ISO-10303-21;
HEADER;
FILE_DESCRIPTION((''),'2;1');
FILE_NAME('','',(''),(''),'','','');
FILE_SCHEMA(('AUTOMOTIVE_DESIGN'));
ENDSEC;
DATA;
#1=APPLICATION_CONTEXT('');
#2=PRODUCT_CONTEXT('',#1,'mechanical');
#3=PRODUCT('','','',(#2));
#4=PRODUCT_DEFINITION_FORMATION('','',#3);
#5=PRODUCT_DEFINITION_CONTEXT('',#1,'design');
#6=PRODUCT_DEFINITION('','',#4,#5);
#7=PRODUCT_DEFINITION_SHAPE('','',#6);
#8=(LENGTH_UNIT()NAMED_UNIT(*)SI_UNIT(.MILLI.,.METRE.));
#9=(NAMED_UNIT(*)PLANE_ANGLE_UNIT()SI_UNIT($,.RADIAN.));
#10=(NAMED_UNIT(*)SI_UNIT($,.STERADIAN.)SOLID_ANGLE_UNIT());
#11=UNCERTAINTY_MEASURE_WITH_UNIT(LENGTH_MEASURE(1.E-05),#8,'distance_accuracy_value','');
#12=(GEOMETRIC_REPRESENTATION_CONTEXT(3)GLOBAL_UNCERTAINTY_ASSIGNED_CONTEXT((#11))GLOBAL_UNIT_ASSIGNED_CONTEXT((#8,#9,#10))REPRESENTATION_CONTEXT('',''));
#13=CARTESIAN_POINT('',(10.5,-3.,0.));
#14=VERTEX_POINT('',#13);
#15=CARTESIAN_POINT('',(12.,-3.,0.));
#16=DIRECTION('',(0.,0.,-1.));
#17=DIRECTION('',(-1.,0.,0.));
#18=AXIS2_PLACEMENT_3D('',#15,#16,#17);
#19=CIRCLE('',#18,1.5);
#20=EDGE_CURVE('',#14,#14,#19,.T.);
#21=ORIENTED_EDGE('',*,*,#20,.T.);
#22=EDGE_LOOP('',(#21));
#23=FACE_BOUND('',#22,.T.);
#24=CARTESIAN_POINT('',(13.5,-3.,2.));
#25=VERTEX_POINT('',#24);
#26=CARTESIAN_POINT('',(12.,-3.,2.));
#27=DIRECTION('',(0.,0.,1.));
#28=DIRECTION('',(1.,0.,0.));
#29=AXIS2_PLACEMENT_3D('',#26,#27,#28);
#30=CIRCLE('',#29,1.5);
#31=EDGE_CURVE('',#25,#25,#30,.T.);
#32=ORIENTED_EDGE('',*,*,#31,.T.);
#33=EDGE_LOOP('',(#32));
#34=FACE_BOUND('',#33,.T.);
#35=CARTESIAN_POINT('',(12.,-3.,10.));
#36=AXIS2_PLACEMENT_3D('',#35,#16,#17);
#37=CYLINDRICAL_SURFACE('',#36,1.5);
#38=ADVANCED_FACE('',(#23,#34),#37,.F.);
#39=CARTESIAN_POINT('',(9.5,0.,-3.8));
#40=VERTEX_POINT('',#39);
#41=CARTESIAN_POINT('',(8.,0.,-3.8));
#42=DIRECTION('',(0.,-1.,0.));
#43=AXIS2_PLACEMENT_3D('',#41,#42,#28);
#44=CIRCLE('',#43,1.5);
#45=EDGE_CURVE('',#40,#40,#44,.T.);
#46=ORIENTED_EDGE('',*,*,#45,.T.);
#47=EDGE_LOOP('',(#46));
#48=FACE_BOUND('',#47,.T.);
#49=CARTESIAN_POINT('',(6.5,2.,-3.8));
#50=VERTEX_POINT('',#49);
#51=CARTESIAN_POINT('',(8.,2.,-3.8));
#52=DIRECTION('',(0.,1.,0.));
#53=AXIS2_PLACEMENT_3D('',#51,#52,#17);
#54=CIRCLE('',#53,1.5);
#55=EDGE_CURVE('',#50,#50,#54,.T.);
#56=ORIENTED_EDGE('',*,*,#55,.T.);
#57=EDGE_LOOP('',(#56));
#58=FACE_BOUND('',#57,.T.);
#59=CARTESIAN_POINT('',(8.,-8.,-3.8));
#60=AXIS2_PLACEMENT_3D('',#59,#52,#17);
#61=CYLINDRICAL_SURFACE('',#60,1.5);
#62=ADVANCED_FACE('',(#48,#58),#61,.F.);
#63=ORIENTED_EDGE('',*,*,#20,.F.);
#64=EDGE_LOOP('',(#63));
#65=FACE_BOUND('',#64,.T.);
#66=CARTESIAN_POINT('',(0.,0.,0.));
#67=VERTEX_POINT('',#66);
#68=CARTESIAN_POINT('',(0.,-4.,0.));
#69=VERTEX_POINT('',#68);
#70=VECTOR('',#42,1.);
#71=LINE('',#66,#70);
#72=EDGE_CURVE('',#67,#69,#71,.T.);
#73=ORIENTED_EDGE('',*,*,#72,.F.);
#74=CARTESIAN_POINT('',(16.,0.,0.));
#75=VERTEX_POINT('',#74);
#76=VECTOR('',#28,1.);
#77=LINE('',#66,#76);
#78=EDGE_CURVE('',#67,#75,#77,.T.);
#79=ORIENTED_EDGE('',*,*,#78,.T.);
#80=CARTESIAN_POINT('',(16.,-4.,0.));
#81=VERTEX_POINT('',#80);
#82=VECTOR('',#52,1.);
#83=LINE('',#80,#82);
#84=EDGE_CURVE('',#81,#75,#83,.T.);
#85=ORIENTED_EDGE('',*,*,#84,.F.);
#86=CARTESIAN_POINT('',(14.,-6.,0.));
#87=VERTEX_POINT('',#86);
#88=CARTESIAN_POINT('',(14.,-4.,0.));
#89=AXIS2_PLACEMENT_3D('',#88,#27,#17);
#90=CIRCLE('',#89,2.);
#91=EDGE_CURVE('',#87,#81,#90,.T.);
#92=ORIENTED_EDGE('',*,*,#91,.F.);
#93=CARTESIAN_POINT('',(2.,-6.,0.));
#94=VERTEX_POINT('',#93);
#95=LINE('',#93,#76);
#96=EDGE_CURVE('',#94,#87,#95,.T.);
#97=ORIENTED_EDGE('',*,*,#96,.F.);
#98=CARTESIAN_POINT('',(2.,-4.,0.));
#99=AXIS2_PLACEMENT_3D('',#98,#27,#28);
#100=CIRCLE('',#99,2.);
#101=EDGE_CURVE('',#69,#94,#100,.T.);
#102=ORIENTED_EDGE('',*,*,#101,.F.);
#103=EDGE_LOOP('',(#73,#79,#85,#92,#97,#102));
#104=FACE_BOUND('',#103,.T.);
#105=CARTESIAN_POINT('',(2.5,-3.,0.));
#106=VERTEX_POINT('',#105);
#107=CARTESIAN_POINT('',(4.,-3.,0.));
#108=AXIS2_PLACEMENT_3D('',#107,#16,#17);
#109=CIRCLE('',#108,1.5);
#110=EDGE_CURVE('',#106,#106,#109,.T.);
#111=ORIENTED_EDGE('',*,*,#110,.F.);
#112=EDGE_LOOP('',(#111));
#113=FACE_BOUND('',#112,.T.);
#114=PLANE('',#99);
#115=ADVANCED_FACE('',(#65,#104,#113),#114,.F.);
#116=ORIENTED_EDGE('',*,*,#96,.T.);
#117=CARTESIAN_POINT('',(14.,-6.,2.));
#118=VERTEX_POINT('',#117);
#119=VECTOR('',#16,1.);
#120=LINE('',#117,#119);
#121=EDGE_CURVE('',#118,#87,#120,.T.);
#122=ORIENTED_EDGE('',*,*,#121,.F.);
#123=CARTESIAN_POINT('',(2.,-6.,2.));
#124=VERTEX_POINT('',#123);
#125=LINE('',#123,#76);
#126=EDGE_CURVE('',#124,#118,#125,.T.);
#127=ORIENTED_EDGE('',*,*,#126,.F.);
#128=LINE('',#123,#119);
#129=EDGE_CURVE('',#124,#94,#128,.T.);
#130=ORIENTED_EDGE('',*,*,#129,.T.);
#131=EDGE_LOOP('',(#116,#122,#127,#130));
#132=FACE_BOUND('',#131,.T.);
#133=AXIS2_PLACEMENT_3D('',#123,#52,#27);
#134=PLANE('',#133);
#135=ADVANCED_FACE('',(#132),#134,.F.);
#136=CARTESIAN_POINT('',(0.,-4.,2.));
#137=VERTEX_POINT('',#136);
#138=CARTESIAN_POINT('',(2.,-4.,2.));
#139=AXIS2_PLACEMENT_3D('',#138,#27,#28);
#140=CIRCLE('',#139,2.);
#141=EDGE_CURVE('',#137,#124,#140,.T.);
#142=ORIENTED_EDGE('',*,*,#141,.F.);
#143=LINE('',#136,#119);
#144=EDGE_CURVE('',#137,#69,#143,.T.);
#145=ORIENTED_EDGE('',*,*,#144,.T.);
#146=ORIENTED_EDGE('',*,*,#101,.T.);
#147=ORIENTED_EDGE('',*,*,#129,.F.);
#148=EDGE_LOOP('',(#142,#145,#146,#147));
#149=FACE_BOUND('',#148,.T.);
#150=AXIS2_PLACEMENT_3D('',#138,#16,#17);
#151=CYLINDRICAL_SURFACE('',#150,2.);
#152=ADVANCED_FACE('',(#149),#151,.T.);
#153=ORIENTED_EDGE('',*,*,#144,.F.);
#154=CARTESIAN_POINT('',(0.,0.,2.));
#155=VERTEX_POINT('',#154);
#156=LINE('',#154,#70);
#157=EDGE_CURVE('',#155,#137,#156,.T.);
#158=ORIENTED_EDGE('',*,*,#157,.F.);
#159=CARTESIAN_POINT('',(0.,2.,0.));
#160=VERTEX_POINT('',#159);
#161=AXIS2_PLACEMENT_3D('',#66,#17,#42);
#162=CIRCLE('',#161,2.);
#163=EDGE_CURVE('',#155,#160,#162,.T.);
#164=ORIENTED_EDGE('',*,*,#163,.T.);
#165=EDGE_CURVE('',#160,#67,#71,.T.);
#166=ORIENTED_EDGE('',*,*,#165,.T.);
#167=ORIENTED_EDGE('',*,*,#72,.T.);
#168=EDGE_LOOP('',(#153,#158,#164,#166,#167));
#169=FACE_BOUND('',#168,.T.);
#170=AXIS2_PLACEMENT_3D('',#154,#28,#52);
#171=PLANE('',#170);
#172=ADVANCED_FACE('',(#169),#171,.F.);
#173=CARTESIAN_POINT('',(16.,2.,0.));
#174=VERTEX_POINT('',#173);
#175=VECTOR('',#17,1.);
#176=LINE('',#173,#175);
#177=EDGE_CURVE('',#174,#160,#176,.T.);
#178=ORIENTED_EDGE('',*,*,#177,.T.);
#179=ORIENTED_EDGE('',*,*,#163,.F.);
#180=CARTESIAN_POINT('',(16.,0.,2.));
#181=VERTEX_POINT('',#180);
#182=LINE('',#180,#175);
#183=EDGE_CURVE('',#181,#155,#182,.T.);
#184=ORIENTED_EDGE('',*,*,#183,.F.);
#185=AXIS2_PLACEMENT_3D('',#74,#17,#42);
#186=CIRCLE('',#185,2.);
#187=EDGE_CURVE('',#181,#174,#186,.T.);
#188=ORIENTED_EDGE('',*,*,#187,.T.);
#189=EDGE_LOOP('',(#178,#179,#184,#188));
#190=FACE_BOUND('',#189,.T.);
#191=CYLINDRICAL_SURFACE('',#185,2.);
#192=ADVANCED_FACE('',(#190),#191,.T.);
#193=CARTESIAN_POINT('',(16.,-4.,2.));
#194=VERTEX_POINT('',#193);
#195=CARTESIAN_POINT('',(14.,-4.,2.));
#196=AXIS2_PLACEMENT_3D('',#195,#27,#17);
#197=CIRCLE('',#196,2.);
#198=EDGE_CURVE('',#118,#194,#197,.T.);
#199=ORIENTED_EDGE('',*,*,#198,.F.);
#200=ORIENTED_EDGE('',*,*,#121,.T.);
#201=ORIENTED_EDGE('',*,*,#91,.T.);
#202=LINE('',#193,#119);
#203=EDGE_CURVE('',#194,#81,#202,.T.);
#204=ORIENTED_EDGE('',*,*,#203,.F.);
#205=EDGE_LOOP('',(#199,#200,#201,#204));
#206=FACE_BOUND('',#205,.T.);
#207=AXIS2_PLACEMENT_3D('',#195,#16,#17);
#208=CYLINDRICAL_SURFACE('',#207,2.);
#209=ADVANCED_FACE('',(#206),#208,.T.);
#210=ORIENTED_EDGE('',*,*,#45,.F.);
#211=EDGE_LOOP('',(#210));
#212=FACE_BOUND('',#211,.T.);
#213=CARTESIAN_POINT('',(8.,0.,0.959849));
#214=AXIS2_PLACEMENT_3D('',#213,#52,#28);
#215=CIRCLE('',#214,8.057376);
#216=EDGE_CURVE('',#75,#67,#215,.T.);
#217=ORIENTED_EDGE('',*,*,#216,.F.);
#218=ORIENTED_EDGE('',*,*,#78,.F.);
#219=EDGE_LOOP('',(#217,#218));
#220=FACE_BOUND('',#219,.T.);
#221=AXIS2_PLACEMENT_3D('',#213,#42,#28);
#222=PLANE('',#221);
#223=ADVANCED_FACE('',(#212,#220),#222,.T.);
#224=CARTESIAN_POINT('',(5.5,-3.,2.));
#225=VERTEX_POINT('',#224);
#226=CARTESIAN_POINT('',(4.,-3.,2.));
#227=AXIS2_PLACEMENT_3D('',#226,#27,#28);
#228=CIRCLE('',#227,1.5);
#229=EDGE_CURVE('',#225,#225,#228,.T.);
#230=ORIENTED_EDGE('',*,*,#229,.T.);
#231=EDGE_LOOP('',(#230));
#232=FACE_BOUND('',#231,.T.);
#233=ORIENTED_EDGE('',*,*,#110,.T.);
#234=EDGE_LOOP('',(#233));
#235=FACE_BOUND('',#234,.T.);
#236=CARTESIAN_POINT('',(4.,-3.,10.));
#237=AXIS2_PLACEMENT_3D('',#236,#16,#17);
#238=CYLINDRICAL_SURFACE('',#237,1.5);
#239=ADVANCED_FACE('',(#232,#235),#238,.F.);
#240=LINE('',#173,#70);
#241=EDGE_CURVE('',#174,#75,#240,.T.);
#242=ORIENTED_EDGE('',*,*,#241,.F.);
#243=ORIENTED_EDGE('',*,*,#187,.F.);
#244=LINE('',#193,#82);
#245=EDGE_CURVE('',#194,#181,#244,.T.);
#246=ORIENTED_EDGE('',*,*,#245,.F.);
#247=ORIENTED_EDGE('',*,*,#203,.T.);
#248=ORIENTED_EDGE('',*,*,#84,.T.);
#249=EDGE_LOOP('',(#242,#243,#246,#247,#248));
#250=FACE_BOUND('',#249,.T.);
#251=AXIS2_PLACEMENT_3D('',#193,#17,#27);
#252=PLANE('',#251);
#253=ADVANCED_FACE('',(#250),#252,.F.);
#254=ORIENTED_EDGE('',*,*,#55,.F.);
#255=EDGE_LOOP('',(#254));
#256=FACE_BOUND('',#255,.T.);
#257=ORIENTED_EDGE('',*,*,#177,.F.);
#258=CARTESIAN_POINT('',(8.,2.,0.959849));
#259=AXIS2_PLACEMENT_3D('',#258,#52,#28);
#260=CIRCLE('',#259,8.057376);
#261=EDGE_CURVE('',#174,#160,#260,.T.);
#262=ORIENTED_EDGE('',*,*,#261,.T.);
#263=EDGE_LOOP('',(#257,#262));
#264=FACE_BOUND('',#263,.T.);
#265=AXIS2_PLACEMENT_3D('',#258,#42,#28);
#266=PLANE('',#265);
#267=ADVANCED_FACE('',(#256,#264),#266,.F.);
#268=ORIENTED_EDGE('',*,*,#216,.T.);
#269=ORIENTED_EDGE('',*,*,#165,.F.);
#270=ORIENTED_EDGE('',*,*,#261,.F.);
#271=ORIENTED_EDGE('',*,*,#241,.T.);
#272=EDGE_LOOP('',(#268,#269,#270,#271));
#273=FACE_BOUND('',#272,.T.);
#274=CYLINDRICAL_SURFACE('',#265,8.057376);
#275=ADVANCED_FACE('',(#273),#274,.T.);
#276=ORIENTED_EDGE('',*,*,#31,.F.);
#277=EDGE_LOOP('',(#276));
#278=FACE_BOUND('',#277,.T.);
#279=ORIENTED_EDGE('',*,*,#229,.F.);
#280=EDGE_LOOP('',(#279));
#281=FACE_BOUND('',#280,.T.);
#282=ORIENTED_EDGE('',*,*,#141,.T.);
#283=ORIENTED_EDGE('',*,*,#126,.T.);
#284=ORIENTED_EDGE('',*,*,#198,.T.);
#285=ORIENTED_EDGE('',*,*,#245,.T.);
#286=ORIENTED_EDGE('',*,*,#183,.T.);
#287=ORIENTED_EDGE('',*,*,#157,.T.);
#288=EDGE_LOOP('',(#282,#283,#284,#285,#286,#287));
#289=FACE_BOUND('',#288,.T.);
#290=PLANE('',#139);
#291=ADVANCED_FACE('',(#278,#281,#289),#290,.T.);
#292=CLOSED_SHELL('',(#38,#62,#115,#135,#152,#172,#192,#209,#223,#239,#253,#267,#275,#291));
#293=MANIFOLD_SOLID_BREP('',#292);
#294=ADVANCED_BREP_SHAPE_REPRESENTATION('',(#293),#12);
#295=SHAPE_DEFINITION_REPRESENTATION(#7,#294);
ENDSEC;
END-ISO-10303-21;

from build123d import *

# Parameters (mm, degrees)
BOSS_EXTRUDE1_DEPTH     = 2
BOSS_EXTRUDE2_DEPTH     = 2
SKETCH10_R              = 1.5
CORTAR_EXTRUIR1_DEPTH   = 10
CROQUIS1_R              = 1.5
CORTAR_EXTRUIR2_DEPTH   = 10
SALIENTE_EXTRUIR1_DEPTH = 16


with BuildPart() as part:
    # Sketch1 → Boss-Extrude1 (new body)
    with BuildSketch(Plane.XY):
        with BuildLine():
            Line((0, 0), (0, -4))
            ThreePointArc((0, -4), (0.585786438, -5.414213562), (2, -6))
            Line((2, -6), (14, -6))
            ThreePointArc((14, -6), (15.414213562, -5.414213562), (16, -4))
            Line((16, -4), (16, 0))
            Line((16, 0), (0, 0))
        make_face()
    extrude(amount=BOSS_EXTRUDE1_DEPTH)

    # Sketch10 → Cortar-Extruir1 (cut)
    with BuildSketch(Plane(origin=(0, 0, 0), x_dir=(-1, 0, 0), z_dir=(0, 0, -1))):
        with Locations((-12, -3)):
            Circle(SKETCH10_R)
        with Locations((-4, -3)):
            Circle(SKETCH10_R)
    extrude(amount=-CORTAR_EXTRUIR1_DEPTH, mode=Mode.SUBTRACT)



with BuildPart() as body_2:
    # Sketch5 → Boss-Extrude2 (new body)
    with BuildSketch(Plane(origin=(0, 0, 0), x_dir=(1, 0, 0), z_dir=(0, 1, 0))):
        with BuildLine():
            Line((0, 0), (16, 0))
            ThreePointArc((16, 0), (8, 7.097527245), (0, 0))
        make_face()
    extrude(amount=BOSS_EXTRUDE2_DEPTH)

    # Croquis1 → Cortar-Extruir2 (cut)
    with BuildSketch(Plane(origin=(0, 2, 0), x_dir=(1, 0, 0), z_dir=(0, 1, 0))):
        with Locations(Location((8, 3.8, 0), (0, 0, 180))):
            Circle(CROQUIS1_R)
    extrude(amount=-CORTAR_EXTRUIR2_DEPTH, mode=Mode.SUBTRACT)


with BuildPart() as part_1:
    add(part.part)

    add(body_2.part)  # Saliente-Extruir1 merges body 2
    # Croquis2 → Saliente-Extruir1 (add)
    with BuildSketch(Plane.ZY):
        with BuildLine():
            Line((2, 0), (0, 0))
            Line((0, 0), (0, 2))
            ThreePointArc((0, 2), (1.414213562, 1.414213562), (2, 0))
        make_face()
    extrude(amount=-SALIENTE_EXTRUIR1_DEPTH)


solid = part_1.part
